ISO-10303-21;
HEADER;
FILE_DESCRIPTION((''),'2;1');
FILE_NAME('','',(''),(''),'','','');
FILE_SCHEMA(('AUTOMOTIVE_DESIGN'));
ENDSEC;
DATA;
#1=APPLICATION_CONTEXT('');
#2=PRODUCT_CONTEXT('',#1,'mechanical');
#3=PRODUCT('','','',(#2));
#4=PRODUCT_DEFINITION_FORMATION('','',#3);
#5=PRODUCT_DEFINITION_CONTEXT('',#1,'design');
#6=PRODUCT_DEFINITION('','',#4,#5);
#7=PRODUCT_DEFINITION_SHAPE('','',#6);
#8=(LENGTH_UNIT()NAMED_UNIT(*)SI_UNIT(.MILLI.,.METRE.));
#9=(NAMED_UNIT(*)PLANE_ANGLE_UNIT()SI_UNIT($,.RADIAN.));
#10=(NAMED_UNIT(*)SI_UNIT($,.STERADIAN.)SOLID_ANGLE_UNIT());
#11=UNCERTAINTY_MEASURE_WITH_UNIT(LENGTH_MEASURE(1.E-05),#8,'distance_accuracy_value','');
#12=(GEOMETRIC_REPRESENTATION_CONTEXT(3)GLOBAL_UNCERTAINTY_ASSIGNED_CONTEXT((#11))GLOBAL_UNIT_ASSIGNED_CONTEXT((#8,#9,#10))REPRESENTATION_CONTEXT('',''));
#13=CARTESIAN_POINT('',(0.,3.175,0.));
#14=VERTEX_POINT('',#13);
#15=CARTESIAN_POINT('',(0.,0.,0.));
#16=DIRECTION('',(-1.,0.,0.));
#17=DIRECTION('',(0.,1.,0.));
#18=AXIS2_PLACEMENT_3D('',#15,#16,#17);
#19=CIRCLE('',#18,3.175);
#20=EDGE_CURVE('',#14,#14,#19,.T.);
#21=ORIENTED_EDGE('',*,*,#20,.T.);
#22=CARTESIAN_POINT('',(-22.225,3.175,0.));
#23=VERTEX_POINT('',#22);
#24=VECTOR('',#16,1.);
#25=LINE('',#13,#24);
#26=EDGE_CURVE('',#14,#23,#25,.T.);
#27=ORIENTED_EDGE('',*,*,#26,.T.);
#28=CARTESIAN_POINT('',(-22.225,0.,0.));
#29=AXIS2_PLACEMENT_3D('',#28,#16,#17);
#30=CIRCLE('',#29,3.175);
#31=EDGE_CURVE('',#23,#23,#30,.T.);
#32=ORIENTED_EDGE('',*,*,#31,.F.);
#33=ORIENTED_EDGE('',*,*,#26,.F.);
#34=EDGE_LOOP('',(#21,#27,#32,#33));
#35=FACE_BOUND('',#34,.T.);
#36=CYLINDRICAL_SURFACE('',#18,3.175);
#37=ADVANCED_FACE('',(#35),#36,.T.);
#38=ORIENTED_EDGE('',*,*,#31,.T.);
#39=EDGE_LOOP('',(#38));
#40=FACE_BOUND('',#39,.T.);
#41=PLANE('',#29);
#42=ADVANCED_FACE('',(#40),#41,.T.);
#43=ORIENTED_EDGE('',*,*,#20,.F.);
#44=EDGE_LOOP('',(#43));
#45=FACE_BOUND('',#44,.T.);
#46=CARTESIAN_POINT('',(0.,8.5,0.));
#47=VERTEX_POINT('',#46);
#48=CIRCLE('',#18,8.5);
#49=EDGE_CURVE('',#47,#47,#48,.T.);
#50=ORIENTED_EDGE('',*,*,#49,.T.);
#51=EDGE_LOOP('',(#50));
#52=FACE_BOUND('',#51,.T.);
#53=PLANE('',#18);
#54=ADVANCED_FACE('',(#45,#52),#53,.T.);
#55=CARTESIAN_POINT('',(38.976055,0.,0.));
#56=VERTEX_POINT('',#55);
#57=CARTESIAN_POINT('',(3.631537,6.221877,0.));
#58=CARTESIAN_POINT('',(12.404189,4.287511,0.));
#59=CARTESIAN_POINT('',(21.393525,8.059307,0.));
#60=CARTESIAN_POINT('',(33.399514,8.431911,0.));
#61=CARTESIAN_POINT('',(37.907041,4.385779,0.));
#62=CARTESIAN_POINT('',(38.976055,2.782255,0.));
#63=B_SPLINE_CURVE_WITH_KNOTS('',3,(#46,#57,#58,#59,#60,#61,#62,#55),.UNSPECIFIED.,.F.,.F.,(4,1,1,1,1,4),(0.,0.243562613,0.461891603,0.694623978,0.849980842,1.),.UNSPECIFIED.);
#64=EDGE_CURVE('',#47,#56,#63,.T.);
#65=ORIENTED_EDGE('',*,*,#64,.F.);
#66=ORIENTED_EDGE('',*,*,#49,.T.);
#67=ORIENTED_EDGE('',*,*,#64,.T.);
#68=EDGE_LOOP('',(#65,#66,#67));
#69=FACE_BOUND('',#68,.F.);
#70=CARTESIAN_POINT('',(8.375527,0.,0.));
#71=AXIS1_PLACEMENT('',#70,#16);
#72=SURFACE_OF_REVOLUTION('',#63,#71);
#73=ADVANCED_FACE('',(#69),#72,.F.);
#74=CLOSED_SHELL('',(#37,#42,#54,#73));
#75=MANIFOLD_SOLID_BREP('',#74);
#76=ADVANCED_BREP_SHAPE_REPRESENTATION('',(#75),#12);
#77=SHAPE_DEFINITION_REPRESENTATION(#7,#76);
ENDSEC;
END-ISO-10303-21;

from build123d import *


with BuildPart() as f1:
    # F0 (on Top) → F1 (revolve)
    with BuildSketch(Plane.XY):
        with BuildLine():
            Line((-22.225, 0), (38.9760546386, 0))
            add(Edge.make_bspline(
                [(0, 8.5), (3.6315367607, 6.2218770619), (12.4041890919, 4.287511498), (21.3935250569, 8.0593065976), (33.3995135594, 8.43191098), (37.9070411056, 4.385779418), (38.9760546386, 2.7822553284), (38.9760546386, 0)],
                knots=[0, 0, 0, 0, 0.243562613, 0.4618916033, 0.694623978, 0.8499808418, 1, 1, 1, 1], degree=3))
            Line((0, 8.5), (0, 3.175))
            Line((0, 3.175), (-22.225, 3.175))
            Line((-22.225, 3.175), (-22.225, 0))
        make_face()
    revolve(axis=Axis((8.3755273193, 0, 0), (-1, 0, 0)))


solid = f1.part
